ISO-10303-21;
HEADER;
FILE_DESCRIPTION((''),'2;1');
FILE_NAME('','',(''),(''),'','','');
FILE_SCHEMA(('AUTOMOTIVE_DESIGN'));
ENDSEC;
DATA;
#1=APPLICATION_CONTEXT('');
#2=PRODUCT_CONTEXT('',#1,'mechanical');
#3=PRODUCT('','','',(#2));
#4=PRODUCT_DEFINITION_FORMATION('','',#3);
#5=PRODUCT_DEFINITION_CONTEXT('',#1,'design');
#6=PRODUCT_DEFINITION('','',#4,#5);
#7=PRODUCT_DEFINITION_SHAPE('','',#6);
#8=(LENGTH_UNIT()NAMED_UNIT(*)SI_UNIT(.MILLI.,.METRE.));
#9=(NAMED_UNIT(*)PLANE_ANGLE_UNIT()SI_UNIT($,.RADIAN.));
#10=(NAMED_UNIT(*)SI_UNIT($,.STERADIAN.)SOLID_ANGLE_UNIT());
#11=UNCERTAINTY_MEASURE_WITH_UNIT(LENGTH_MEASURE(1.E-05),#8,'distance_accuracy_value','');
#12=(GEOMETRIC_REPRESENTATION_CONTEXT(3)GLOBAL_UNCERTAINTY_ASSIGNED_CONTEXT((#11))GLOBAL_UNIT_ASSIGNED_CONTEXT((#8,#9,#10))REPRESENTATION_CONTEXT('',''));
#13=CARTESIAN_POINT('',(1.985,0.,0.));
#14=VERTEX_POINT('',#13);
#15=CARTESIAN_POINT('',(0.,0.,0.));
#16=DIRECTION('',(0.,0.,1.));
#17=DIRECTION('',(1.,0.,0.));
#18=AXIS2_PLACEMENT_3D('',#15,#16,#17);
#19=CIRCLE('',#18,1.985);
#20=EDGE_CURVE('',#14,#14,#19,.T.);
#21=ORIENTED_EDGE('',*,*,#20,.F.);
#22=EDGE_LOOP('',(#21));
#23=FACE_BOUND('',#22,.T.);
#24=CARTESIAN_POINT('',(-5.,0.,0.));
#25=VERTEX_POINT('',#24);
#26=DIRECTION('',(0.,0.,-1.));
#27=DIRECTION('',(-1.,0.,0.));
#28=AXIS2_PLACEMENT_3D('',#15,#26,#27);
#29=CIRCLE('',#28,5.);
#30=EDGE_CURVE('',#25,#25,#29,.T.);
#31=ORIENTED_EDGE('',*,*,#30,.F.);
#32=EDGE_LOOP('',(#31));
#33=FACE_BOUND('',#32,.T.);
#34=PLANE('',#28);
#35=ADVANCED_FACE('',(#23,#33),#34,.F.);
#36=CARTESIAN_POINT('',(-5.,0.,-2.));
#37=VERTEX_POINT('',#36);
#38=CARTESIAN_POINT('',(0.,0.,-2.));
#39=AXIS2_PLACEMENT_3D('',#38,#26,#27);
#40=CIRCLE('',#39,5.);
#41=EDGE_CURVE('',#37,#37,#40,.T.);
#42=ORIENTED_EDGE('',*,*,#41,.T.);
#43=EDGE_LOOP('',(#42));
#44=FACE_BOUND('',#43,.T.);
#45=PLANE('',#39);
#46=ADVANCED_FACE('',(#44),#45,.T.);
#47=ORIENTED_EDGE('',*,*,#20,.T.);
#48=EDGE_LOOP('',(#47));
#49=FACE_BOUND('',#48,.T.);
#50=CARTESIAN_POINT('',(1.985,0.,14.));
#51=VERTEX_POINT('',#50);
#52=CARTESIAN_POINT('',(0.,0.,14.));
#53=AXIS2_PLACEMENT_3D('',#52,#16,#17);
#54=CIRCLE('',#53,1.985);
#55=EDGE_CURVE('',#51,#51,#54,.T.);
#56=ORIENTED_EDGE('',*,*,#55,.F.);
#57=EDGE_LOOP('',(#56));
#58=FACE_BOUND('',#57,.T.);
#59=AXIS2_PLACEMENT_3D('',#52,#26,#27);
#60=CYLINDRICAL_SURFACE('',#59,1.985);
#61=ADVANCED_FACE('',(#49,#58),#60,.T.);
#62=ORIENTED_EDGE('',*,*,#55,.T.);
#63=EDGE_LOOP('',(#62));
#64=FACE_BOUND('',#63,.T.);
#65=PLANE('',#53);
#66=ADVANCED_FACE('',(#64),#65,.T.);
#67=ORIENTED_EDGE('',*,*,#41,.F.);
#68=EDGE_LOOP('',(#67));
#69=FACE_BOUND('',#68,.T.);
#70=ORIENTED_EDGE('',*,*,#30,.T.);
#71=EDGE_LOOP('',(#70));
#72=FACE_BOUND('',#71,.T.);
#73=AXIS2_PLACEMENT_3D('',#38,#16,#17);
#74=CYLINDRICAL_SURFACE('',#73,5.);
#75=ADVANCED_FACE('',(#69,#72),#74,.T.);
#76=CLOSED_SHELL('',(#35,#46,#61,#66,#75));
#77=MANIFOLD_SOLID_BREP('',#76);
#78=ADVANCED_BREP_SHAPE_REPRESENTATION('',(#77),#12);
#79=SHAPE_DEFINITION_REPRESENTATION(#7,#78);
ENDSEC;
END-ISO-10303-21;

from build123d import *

# Parameters (mm, degrees)
CROQUIS1_R              = 1.985
SALIENTE_EXTRUIR1_DEPTH = 14
CROQUIS2_R              = 5
SALIENTE_EXTRUIR2_DEPTH = 2


with BuildPart() as part:
    # Croquis1 → Saliente-Extruir1 (new body)
    with BuildSketch(Plane.XY):
        Circle(CROQUIS1_R)
    extrude(amount=SALIENTE_EXTRUIR1_DEPTH)

    # Croquis2 → Saliente-Extruir2 (add)
    with BuildSketch(Plane(origin=(0, 0, 0), x_dir=(-1, 0, 0), z_dir=(0, 0, -1))):
        Circle(CROQUIS2_R)
    extrude(amount=SALIENTE_EXTRUIR2_DEPTH)


solid = part.part
